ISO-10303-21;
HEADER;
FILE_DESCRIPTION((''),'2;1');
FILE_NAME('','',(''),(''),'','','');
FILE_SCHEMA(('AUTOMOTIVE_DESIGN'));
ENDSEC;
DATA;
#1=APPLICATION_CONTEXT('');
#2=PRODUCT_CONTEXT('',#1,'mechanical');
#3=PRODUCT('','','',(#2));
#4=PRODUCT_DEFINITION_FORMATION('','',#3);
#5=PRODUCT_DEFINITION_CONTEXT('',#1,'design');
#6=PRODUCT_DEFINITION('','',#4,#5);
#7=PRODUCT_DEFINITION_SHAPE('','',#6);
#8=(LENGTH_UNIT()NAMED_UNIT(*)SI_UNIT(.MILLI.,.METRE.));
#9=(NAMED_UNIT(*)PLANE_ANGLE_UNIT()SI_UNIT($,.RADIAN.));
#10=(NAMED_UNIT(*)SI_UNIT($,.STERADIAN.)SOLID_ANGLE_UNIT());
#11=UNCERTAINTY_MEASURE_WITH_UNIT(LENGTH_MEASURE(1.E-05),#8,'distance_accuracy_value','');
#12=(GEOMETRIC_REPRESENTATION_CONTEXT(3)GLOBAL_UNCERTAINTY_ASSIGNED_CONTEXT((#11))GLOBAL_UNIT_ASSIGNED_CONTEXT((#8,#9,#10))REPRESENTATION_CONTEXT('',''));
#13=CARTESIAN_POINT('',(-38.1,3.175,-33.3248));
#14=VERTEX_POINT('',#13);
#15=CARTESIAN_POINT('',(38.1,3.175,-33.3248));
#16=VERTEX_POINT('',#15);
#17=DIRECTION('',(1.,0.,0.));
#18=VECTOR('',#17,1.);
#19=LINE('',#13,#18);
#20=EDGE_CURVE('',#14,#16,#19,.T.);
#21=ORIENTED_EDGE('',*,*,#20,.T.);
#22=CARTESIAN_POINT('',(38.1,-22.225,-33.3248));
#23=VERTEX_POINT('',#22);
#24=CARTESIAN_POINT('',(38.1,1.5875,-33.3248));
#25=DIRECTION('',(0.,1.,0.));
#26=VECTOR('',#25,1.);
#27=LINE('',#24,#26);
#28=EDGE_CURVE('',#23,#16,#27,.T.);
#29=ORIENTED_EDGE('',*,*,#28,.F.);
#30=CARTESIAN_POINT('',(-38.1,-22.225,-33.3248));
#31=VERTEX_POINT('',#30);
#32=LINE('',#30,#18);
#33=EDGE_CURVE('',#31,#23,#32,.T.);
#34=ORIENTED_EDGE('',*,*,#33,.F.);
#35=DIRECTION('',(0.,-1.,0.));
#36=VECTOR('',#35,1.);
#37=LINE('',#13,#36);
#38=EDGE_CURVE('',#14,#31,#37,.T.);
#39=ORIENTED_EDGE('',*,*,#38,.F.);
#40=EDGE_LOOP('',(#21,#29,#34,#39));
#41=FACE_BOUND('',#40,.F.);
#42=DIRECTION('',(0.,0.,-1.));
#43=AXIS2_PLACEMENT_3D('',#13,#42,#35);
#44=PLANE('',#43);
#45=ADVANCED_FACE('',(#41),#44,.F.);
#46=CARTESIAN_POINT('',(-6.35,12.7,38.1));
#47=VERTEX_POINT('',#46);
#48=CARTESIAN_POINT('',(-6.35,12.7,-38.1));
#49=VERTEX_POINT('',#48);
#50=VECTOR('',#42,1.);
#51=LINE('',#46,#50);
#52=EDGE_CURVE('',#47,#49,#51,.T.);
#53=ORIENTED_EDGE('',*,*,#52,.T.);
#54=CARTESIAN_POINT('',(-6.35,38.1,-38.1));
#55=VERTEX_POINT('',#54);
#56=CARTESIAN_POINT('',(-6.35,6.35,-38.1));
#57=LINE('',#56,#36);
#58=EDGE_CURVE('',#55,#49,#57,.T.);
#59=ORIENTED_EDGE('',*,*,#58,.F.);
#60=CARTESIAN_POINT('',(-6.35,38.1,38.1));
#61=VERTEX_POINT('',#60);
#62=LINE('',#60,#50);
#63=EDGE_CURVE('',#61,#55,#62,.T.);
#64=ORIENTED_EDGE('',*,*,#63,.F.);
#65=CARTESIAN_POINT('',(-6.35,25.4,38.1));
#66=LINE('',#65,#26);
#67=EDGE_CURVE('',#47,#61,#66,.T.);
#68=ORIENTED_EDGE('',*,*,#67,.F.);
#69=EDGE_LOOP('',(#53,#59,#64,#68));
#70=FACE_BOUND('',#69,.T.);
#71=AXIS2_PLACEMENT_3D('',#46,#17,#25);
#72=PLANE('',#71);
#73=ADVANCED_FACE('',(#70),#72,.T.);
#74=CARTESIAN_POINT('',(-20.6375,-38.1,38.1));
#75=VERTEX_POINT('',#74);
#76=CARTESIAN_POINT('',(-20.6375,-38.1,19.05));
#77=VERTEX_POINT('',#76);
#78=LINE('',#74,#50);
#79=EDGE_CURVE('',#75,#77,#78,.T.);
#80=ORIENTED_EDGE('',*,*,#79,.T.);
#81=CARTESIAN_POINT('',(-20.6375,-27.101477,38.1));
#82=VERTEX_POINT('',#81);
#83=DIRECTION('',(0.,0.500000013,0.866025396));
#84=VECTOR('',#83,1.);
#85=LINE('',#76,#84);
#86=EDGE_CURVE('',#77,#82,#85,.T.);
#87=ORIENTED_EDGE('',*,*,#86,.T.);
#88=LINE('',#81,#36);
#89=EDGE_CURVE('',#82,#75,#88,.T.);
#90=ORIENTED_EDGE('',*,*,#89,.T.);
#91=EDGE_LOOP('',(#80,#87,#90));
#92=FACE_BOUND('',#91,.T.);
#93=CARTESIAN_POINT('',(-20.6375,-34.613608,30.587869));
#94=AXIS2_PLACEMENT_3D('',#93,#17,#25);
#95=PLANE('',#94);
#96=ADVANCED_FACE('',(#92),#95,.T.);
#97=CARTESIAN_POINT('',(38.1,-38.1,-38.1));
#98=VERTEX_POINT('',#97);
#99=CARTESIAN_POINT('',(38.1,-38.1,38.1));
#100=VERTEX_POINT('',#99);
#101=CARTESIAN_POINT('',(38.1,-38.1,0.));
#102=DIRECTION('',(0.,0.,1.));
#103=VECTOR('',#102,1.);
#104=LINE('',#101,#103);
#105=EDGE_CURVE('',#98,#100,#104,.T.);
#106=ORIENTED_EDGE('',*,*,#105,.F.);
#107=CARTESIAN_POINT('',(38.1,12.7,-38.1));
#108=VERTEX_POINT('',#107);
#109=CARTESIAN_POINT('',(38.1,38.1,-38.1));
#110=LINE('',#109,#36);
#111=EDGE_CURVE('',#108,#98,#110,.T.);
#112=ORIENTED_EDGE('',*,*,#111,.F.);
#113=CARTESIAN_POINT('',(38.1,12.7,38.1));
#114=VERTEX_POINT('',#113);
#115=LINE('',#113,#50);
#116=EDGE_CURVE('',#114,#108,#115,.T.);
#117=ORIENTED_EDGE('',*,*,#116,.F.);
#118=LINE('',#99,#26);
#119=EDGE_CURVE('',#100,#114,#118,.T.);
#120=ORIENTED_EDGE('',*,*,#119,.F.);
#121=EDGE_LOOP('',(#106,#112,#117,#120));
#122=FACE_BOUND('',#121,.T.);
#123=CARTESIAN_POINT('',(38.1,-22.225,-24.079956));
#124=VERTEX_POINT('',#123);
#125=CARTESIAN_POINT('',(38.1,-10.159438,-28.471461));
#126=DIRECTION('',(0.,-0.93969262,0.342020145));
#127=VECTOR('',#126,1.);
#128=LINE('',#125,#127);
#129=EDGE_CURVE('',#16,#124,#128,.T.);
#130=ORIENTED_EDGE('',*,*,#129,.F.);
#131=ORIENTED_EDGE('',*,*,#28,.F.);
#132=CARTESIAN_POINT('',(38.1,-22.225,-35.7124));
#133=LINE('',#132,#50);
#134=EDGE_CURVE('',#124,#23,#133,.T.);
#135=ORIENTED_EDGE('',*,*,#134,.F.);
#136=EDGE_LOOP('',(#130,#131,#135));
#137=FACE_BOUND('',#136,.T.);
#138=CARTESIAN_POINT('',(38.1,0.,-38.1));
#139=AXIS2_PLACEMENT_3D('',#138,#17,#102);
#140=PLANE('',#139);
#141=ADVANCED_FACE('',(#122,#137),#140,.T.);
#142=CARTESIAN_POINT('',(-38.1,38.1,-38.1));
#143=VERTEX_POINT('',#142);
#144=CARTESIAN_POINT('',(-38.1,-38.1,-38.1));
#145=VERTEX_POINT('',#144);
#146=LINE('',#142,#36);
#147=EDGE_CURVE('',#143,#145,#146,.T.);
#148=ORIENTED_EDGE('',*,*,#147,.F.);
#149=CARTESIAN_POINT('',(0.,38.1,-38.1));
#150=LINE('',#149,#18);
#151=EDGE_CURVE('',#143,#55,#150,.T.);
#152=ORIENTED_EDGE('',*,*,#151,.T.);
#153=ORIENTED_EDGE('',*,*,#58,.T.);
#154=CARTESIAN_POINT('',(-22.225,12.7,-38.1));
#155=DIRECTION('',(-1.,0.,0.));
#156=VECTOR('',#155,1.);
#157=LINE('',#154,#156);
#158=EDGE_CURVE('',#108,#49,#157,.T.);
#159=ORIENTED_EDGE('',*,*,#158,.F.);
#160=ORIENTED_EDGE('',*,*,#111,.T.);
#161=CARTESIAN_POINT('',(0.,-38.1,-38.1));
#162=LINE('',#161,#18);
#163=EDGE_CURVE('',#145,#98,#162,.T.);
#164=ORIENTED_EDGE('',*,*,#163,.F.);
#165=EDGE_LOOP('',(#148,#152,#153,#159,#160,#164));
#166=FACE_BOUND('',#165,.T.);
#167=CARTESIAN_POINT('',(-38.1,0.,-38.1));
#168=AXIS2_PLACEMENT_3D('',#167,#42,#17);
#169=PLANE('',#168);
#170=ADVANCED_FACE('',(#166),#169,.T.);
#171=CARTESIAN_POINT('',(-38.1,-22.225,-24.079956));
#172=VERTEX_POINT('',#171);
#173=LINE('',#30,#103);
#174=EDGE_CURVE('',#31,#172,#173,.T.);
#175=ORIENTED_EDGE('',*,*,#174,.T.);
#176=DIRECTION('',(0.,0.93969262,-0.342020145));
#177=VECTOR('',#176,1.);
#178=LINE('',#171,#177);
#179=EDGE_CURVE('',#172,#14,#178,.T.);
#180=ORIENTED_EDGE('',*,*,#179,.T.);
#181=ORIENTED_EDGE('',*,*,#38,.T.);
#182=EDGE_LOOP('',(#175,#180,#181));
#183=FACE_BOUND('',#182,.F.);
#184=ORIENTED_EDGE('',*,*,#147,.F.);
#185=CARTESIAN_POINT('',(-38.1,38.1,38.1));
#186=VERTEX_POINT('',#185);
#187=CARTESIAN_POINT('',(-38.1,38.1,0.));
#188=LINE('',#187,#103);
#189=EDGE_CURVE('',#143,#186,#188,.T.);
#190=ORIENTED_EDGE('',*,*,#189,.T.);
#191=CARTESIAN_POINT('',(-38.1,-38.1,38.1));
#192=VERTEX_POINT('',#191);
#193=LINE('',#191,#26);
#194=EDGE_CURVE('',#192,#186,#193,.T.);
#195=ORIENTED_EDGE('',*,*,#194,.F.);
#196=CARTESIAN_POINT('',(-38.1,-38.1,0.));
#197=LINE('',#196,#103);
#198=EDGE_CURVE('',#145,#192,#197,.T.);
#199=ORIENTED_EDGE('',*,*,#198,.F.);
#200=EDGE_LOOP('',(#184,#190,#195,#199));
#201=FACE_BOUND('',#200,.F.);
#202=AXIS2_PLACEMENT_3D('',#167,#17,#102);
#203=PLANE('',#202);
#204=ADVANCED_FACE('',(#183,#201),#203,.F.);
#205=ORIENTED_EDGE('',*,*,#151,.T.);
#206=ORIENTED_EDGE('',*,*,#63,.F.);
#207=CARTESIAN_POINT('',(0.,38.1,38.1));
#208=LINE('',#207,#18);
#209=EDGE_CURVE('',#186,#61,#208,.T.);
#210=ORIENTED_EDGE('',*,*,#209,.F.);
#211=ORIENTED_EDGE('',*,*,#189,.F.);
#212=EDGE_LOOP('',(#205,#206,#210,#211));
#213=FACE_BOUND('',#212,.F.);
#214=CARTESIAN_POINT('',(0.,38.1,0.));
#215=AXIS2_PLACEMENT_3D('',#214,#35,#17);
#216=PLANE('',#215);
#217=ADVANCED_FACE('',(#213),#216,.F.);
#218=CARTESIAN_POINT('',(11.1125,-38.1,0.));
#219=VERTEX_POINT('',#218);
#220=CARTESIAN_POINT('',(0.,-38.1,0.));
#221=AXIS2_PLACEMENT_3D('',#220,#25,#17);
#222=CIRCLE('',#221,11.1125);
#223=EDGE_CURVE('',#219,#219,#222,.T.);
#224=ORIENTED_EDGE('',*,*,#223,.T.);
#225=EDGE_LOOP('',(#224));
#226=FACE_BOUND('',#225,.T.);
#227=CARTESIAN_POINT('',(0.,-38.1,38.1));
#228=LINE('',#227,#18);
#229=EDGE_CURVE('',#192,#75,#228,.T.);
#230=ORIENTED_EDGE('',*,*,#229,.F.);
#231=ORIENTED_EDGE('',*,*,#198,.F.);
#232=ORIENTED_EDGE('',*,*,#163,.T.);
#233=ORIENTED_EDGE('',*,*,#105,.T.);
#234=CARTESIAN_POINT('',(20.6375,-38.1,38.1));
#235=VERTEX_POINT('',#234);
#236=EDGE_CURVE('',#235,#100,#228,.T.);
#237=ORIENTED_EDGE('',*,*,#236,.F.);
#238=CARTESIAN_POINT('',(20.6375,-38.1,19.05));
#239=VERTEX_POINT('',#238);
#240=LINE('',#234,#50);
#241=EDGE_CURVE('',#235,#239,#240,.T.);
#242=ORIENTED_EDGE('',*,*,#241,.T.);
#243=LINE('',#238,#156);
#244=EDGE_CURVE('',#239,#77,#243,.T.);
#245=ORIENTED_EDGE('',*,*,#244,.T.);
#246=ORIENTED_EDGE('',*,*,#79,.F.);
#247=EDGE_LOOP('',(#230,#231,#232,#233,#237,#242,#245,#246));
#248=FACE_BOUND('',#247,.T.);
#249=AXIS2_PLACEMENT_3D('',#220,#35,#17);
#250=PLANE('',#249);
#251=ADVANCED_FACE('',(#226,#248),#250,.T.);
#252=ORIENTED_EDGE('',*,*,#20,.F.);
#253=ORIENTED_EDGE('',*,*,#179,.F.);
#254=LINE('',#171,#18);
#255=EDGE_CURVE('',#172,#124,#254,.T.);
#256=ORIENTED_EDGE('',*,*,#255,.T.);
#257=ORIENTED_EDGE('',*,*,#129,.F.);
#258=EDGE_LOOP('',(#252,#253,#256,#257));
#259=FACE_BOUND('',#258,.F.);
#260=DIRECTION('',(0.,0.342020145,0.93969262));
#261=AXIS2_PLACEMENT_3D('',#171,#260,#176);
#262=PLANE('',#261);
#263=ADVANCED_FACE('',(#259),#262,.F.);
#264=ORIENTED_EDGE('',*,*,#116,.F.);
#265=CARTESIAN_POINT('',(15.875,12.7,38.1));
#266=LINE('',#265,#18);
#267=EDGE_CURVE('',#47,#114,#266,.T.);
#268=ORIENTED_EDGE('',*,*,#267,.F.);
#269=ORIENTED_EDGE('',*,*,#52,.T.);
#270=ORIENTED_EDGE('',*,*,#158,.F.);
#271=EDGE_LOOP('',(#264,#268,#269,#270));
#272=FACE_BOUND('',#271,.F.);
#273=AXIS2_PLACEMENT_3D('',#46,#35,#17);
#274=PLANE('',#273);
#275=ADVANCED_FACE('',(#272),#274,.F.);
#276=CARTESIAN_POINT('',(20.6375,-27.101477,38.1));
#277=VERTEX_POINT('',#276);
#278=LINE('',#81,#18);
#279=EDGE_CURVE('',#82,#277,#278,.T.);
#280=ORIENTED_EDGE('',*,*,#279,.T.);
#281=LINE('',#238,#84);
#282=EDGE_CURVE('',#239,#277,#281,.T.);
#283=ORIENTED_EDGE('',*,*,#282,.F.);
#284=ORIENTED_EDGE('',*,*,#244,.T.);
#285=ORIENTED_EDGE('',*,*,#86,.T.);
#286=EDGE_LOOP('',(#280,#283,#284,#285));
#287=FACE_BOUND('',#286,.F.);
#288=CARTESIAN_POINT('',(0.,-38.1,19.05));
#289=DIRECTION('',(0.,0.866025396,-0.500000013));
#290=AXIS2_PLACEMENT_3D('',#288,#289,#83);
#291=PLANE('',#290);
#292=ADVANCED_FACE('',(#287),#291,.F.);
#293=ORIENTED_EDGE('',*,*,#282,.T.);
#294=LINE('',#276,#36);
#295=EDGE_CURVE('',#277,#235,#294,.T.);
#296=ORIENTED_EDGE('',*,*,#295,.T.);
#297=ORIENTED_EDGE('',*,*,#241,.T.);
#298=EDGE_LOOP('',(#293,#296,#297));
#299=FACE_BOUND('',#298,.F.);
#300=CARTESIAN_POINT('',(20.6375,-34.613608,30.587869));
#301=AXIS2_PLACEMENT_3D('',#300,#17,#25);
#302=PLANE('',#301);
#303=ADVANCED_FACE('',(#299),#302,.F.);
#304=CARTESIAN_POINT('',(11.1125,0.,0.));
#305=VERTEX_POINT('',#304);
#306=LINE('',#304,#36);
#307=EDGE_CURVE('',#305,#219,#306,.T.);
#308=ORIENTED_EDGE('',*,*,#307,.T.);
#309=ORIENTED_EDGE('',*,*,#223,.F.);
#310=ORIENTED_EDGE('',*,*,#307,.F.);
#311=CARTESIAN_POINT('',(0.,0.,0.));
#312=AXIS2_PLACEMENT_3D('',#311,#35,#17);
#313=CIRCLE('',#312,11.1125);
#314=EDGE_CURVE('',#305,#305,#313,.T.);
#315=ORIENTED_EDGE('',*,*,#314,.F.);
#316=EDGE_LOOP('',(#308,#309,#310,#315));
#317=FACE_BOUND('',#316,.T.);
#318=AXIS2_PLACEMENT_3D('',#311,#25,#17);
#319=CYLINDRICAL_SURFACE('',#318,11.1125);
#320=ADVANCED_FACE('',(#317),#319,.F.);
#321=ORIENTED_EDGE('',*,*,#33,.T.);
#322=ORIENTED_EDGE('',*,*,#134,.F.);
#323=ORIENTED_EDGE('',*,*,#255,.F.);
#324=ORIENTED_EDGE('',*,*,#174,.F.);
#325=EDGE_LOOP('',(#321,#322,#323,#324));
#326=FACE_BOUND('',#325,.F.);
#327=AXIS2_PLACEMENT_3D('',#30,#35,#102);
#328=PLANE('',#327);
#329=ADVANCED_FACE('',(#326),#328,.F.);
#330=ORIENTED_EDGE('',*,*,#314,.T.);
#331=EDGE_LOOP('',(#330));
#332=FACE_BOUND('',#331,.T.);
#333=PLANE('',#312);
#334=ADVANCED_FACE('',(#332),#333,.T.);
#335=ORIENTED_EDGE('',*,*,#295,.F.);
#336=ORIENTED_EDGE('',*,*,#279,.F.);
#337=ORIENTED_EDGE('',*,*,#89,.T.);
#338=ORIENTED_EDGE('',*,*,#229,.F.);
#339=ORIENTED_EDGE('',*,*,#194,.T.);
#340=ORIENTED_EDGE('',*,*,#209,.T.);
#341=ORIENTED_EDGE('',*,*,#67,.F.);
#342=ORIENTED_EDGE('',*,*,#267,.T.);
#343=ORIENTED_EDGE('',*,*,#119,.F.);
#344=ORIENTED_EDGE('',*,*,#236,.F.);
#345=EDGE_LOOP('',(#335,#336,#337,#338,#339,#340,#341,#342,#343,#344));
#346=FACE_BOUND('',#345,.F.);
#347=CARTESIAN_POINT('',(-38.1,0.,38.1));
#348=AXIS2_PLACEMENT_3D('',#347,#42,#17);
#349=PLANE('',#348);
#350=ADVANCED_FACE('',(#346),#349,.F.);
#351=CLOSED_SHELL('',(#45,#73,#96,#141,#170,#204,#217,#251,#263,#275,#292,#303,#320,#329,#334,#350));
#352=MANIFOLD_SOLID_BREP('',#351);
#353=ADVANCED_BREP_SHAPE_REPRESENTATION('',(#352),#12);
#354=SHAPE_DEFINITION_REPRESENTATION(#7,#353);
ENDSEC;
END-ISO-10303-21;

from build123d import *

# Parameters (mm, degrees)
F0_W     = 76.2
F0_H     = 76.2
F1_DEPTH = 38.1
F2_R     = 11.1125
F3_DEPTH = 38.101
F6_DEPTH = 20.6375
F4_W     = 44.45
F4_H     = 25.4
F7_DEPTH = 76.201
F9_DEPTH = 76.201


with BuildPart() as f1:
    # F0 (on Front) → F1 (new body, symmetric)
    with BuildSketch(Plane.XZ):
        Rectangle(F0_W, F0_H)
    extrude(amount=F1_DEPTH, both=True)

    # F2 (on Front) → F3 (cut, through all)
    with BuildSketch(Plane.XZ):
        Circle(F2_R)
    extrude(amount=F3_DEPTH, mode=Mode.SUBTRACT)

    # F5 (on Right) → F6 (cut, symmetric)
    with BuildSketch(Plane.YZ):
        Polygon((-38.1, 19.05), (-27.101477, 38.1), (-38.1, 38.1), align=None)
    extrude(amount=F6_DEPTH, both=True, mode=Mode.SUBTRACT)

    # F4 (on face) → F7 (cut, through all)
    with BuildSketch(Plane.XY.offset(38.1)):
        with Locations((15.875, 25.4)):
            Rectangle(F4_W, F4_H)
    extrude(amount=-F7_DEPTH, mode=Mode.SUBTRACT)

    # F8 (on face) → F9 (cut, through all)
    with BuildSketch(Plane(origin=(-38.1, 0, 0), x_dir=(0, -1, 0), z_dir=(-1, 0, 0))):
        Polygon((22.225, -24.079956), (-3.175, -33.3248), (22.225, -33.3248), align=None)
    extrude(amount=-F9_DEPTH, mode=Mode.SUBTRACT)


solid = f1.part
